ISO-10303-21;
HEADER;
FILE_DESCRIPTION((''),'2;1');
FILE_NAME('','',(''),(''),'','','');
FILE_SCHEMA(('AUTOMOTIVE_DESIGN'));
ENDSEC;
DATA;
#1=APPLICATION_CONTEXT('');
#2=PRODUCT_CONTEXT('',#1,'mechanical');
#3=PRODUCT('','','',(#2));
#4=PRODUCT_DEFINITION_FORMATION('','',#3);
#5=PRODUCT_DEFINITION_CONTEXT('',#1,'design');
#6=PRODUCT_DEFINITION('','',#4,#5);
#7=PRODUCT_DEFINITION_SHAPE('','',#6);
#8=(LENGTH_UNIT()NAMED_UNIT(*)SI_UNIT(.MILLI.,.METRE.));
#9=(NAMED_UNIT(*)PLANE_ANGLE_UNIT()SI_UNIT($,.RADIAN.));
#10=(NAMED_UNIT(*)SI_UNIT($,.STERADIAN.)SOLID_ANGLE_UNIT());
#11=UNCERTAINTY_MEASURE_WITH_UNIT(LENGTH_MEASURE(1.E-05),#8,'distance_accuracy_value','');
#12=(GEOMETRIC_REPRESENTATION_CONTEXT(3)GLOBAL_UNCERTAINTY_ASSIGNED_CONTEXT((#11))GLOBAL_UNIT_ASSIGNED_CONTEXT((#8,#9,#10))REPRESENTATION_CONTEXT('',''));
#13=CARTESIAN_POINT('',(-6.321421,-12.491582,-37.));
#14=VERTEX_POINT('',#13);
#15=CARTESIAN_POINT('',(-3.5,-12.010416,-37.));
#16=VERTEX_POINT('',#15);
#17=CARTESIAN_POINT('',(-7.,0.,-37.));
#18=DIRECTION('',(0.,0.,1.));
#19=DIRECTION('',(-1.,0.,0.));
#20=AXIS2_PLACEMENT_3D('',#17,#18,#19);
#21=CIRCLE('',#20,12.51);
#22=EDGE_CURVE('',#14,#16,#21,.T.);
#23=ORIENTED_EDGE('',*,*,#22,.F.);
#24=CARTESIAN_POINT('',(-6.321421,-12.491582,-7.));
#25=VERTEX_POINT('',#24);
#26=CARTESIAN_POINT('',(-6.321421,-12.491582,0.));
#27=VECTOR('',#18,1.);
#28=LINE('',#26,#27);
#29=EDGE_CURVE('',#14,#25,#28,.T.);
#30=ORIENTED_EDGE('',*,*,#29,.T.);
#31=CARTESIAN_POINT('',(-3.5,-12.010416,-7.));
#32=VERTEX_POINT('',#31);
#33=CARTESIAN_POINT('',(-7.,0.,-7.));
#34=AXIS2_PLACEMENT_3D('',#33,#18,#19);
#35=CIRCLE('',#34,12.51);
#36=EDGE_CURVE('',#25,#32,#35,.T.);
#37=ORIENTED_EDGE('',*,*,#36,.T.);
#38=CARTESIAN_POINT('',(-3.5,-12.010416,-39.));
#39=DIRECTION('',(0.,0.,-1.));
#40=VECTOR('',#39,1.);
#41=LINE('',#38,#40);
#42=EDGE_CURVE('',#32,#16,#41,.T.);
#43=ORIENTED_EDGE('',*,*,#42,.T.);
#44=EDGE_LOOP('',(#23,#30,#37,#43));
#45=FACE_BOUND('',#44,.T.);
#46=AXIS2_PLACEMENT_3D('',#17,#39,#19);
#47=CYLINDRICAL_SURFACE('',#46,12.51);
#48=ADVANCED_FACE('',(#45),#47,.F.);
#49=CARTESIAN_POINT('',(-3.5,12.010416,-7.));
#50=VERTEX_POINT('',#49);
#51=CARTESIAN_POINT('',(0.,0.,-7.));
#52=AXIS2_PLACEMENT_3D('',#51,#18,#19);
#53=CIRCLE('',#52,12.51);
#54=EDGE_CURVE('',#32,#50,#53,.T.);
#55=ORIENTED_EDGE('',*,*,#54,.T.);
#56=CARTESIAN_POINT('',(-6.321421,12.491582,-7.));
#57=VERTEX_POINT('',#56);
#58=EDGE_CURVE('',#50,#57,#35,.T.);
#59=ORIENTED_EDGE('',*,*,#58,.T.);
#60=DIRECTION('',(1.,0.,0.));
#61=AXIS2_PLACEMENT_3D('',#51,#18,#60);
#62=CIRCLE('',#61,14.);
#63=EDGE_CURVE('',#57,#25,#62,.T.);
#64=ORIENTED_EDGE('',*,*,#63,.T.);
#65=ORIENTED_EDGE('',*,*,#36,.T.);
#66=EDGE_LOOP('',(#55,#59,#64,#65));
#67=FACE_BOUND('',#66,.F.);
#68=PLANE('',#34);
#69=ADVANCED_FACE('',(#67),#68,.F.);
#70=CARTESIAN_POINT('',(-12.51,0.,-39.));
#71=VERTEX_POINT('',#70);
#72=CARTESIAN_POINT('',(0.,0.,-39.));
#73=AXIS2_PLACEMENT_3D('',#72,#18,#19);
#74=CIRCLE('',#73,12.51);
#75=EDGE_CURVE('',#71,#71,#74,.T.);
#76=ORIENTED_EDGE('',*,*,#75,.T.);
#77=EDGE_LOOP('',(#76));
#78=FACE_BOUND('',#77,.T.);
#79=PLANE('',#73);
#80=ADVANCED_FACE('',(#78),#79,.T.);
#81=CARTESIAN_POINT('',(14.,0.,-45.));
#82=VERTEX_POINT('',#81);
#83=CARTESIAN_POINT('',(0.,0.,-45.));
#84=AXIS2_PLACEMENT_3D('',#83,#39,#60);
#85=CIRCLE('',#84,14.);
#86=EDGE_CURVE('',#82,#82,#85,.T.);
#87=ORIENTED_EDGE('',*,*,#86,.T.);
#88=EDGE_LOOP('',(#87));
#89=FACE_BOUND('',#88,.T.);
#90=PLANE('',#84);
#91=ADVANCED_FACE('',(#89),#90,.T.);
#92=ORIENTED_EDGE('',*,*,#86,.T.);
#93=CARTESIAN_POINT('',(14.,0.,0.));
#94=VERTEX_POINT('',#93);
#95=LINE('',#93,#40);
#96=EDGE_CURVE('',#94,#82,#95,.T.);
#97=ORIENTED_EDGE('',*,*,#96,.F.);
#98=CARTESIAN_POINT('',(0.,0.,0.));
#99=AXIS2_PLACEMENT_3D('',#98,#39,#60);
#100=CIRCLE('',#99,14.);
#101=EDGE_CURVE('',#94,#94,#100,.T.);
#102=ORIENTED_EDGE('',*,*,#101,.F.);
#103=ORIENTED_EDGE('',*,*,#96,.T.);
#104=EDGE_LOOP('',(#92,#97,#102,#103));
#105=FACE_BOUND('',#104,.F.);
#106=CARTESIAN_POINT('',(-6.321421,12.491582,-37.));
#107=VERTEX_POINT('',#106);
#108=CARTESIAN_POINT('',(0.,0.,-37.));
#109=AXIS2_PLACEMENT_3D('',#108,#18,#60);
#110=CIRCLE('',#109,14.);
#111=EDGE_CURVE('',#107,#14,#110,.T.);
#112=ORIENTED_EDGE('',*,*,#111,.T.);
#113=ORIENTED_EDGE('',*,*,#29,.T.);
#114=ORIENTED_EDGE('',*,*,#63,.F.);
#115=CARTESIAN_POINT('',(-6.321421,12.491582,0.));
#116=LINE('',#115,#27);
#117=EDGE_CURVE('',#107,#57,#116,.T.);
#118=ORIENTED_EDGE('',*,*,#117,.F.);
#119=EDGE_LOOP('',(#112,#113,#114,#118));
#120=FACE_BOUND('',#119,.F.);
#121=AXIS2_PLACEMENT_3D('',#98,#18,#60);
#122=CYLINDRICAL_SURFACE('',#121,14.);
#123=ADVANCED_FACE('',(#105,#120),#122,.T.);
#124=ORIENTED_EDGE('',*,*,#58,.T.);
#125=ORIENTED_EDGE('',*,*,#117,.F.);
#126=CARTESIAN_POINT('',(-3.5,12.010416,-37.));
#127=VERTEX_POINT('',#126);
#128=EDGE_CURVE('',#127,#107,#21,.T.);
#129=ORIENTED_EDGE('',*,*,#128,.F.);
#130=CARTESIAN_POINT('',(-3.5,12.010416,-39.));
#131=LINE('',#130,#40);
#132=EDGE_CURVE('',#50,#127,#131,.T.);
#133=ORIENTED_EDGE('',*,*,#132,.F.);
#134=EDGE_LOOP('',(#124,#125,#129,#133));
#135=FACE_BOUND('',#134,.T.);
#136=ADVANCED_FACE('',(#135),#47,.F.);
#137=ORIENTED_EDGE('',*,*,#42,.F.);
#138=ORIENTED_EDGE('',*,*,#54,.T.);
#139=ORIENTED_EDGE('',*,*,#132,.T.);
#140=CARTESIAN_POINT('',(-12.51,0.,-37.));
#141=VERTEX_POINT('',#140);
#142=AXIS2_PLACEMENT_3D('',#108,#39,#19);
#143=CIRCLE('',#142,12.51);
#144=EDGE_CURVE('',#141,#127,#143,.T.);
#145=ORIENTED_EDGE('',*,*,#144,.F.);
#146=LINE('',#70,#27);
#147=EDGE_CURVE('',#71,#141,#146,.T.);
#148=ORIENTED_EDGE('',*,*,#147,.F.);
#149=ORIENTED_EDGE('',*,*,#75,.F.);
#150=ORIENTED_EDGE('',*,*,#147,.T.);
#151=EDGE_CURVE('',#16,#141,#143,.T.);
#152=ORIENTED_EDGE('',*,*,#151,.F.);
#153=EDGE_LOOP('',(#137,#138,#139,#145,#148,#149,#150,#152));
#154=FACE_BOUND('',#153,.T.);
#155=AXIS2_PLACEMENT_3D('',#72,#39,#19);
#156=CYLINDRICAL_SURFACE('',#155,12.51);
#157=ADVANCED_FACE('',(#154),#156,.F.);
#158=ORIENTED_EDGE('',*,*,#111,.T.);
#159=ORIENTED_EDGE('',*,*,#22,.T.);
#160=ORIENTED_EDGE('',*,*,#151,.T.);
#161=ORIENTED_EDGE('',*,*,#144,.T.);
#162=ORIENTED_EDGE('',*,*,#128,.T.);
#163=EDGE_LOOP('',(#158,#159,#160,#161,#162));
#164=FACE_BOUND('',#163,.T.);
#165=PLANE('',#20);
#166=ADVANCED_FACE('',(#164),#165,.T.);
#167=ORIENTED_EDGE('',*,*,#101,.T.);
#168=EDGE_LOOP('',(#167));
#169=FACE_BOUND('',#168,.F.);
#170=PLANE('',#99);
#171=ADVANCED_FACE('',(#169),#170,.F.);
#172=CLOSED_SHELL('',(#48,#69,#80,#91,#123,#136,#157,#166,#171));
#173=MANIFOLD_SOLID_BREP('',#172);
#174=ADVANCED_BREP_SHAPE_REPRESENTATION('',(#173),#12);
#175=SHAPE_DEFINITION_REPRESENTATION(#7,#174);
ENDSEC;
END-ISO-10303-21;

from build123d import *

# Parameters (mm, degrees)
CYLINDER003_R     = 12.51
CYLINDER003_DEPTH = 30
CYLINDER002_R     = 12.51
CYLINDER002_DEPTH = 32
CYLINDER001_R     = 14
CYLINDER001_DEPTH = 45


with BuildPart() as cylinder003:
    # Cylinder003 → Cylinder003 (new body)
    with BuildSketch(Plane(origin=(-7, 0, -37), x_dir=(-1, 0, 0), z_dir=(0, 0, 1))):
        Circle(CYLINDER003_R)
    extrude(amount=CYLINDER003_DEPTH)


with BuildPart() as cylinder002:
    # Cylinder002 → Cylinder002 (new body)
    with BuildSketch(Plane(origin=(0, 0, -39), x_dir=(-1, 0, 0), z_dir=(0, 0, 1))):
        Circle(CYLINDER002_R)
    extrude(amount=CYLINDER002_DEPTH)


with BuildPart() as cut001:
    # Cylinder001 → Cylinder001 (new body)
    with BuildSketch(Plane(origin=(0, 0, 0), x_dir=(1, 0, 0), z_dir=(0, 0, -1))):
        Circle(CYLINDER001_R)
    extrude(amount=CYLINDER001_DEPTH)

    # Cut: cut Cylinder002
    add(cylinder002.part, mode=Mode.SUBTRACT)

    # Cut001: cut Cylinder003
    add(cylinder003.part, mode=Mode.SUBTRACT)


solid = cut001.part
